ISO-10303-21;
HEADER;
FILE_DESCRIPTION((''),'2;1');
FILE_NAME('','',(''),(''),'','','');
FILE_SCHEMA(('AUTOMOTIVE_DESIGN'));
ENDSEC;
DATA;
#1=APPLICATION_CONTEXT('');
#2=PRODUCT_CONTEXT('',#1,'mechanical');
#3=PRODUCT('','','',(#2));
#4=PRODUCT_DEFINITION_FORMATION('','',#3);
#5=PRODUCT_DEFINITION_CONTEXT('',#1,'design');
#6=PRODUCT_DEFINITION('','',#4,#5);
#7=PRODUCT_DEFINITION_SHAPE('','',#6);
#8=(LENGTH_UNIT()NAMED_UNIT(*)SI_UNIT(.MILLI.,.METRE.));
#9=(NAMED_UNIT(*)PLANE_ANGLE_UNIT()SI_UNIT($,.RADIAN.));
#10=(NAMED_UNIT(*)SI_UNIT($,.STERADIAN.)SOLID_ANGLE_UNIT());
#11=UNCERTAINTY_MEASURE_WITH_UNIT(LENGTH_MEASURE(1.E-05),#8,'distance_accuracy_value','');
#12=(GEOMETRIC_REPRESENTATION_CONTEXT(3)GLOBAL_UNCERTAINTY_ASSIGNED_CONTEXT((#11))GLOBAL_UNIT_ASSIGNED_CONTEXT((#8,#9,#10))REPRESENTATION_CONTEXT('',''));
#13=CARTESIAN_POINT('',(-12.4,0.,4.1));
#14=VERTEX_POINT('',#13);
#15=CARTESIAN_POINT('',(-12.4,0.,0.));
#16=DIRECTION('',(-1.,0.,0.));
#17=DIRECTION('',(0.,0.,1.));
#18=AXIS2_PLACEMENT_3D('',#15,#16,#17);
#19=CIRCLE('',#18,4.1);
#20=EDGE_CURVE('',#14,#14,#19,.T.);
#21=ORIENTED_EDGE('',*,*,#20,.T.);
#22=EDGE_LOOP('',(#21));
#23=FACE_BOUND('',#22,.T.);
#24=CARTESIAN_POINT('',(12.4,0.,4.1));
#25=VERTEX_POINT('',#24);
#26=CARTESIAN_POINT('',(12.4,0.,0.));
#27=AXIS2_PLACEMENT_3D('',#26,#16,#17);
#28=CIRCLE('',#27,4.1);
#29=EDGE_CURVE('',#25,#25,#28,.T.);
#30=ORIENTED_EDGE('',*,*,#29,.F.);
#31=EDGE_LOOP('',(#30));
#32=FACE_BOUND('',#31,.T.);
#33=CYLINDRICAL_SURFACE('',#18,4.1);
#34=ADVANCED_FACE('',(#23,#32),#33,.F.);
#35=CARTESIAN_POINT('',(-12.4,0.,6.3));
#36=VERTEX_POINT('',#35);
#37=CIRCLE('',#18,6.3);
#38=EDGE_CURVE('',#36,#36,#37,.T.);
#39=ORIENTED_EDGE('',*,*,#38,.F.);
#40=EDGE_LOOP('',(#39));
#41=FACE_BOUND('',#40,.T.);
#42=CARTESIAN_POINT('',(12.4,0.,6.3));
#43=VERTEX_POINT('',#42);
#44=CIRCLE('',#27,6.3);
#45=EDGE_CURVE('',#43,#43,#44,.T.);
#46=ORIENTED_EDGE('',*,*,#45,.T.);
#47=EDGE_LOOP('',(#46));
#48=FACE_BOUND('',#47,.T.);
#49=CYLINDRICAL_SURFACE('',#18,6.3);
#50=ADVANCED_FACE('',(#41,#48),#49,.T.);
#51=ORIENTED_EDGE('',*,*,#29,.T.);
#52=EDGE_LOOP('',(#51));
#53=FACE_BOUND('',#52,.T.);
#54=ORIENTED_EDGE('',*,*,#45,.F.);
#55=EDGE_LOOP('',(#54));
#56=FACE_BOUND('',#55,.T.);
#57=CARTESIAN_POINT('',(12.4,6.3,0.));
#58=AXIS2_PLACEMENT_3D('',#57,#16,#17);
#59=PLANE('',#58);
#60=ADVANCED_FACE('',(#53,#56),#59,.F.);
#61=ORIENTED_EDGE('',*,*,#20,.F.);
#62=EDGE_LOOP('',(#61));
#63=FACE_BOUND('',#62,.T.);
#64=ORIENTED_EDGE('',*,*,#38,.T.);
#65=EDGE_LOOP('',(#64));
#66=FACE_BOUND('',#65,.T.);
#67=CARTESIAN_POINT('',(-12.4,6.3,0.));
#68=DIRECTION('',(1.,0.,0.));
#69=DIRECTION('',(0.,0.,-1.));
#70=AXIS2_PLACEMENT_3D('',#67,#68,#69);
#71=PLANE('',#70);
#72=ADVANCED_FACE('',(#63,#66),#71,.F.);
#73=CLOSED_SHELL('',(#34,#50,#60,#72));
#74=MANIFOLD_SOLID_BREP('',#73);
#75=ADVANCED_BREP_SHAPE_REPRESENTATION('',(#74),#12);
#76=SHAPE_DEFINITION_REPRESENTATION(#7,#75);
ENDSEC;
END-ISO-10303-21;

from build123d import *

# Parameters (mm, degrees)
CROQUIS1_W = 24.8
CROQUIS1_H = 2.2


with BuildPart() as part:
    # Croquis1 → Revolución1 (revolve)
    with BuildSketch(Plane.XY):
        with Locations((0, 5.2)):
            Rectangle(CROQUIS1_W, CROQUIS1_H)
    revolve(axis=Axis((-12.4, 0, 0), (1, 0, 0)))


solid = part.part
